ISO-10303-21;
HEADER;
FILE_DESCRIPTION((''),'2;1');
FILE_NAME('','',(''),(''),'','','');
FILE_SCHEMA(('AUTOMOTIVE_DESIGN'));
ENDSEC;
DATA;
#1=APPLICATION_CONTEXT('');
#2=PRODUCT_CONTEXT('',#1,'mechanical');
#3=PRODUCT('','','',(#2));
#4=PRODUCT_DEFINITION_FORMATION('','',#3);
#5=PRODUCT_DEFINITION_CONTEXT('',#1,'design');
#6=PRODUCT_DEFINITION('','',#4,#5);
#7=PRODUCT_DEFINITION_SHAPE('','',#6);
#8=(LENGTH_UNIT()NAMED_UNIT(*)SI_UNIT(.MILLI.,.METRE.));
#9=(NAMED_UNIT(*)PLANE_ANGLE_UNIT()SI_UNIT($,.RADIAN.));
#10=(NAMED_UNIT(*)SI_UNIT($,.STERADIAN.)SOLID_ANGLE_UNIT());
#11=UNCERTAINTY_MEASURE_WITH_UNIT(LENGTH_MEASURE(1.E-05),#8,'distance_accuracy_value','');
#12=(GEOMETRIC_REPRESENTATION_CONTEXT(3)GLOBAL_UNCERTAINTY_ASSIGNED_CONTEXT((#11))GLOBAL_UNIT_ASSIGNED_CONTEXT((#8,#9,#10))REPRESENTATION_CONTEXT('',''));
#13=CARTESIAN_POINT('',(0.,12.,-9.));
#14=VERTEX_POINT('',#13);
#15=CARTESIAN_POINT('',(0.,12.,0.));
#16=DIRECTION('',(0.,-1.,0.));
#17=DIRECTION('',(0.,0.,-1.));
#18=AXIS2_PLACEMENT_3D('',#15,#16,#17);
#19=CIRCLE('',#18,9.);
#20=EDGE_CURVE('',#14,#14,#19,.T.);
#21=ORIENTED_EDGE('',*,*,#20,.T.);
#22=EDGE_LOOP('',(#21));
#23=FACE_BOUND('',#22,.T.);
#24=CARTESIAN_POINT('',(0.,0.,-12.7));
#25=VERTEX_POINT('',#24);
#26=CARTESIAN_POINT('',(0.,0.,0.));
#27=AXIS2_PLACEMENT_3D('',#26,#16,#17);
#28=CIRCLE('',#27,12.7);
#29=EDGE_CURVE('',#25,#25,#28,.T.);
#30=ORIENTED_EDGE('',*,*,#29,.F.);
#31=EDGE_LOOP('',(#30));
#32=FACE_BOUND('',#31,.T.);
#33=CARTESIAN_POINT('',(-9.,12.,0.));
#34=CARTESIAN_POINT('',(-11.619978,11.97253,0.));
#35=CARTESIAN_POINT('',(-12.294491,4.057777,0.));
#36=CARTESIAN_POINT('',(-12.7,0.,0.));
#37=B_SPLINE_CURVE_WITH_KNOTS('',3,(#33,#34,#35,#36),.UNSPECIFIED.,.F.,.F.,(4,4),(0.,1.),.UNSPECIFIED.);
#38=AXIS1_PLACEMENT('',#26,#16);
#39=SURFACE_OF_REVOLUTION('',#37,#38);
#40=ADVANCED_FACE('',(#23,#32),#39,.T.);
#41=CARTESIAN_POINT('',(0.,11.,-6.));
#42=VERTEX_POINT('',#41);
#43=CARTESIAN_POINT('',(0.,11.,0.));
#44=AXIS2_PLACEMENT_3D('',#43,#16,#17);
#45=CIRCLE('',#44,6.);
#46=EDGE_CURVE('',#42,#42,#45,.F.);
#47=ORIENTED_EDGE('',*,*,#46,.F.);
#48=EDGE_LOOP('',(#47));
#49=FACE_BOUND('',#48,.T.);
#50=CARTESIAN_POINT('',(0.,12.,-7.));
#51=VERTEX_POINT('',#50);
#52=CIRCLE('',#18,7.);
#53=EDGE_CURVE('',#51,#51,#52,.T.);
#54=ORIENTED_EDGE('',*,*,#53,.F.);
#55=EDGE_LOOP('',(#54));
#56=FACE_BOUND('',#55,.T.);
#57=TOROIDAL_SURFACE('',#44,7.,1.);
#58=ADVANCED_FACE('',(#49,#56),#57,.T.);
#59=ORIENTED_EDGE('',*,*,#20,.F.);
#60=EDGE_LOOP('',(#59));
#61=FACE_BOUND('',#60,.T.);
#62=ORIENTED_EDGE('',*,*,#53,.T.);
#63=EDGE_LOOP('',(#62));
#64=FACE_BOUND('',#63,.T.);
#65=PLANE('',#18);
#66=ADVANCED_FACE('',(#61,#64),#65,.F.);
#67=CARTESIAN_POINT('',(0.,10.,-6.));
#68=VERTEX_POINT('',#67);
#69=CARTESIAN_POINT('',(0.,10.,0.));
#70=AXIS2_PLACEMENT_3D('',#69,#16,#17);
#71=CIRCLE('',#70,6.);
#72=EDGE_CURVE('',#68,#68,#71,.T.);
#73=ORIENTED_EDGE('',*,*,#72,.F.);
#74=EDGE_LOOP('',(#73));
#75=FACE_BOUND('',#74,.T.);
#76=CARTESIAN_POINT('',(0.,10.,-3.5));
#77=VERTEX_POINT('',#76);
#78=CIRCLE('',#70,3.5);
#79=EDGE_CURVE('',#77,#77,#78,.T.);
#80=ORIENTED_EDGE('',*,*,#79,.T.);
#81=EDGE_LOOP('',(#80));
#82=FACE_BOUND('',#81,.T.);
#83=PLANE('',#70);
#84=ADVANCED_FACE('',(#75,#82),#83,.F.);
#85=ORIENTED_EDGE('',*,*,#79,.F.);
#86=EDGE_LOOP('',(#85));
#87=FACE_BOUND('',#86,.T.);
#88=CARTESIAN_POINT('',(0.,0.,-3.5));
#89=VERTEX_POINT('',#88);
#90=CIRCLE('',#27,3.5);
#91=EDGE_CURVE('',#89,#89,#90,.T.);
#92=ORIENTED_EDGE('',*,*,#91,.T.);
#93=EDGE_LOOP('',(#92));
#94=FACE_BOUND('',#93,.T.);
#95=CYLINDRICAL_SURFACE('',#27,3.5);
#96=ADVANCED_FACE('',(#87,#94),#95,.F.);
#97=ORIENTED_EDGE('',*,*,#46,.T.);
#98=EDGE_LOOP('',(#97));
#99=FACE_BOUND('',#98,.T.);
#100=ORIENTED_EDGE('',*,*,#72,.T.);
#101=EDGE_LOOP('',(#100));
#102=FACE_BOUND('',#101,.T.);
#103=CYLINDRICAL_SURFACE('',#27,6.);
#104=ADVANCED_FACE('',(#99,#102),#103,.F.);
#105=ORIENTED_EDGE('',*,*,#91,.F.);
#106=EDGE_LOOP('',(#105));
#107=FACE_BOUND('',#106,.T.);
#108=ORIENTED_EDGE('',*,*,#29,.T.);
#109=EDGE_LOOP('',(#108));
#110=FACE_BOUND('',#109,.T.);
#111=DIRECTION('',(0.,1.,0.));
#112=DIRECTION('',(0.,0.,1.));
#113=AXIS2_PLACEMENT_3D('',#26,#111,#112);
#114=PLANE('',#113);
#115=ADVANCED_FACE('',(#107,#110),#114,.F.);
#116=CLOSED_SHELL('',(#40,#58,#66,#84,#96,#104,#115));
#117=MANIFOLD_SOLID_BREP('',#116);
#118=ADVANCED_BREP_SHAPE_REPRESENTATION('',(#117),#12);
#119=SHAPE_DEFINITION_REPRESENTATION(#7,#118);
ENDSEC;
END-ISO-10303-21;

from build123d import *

# Parameters (mm, degrees)
FILLET1_R = 1


with BuildPart() as part:
    # Sketch1 → Revolve1 (revolve)
    with BuildSketch(Plane.XY, mode=Mode.PRIVATE) as revolve1_sk:
        with BuildLine():
            Line((-12.7, 0), (-3.5, 0))
            Line((-3.5, 0), (-3.5, 10))
            Line((-3.5, 10), (-6, 10))
            Line((-6, 10), (-6, 12))
            Line((-6, 12), (-9, 12))
            add(Edge.make_bspline(
                [(-9, 12), (-11.619977791, 11.972530127), (-12.294490853, 4.057777416), (-12.7, 0)],
                knots=[0, 0, 0, 0, 1, 1, 1, 1], degree=3))
        make_face()
    revolve(revolve1_sk.sketch.rotate(Axis((0, 0, 0), (0, 1, 0)), 270), axis=Axis((0, 0, 0), (0, 1, 0)))

    # Fillet1
    fillet1_edges = [part.edges().sort_by_distance(p)[0] for p in [
        (0, 12, 6),
    ]]
    fillet(fillet1_edges, radius=FILLET1_R)


solid = part.part
